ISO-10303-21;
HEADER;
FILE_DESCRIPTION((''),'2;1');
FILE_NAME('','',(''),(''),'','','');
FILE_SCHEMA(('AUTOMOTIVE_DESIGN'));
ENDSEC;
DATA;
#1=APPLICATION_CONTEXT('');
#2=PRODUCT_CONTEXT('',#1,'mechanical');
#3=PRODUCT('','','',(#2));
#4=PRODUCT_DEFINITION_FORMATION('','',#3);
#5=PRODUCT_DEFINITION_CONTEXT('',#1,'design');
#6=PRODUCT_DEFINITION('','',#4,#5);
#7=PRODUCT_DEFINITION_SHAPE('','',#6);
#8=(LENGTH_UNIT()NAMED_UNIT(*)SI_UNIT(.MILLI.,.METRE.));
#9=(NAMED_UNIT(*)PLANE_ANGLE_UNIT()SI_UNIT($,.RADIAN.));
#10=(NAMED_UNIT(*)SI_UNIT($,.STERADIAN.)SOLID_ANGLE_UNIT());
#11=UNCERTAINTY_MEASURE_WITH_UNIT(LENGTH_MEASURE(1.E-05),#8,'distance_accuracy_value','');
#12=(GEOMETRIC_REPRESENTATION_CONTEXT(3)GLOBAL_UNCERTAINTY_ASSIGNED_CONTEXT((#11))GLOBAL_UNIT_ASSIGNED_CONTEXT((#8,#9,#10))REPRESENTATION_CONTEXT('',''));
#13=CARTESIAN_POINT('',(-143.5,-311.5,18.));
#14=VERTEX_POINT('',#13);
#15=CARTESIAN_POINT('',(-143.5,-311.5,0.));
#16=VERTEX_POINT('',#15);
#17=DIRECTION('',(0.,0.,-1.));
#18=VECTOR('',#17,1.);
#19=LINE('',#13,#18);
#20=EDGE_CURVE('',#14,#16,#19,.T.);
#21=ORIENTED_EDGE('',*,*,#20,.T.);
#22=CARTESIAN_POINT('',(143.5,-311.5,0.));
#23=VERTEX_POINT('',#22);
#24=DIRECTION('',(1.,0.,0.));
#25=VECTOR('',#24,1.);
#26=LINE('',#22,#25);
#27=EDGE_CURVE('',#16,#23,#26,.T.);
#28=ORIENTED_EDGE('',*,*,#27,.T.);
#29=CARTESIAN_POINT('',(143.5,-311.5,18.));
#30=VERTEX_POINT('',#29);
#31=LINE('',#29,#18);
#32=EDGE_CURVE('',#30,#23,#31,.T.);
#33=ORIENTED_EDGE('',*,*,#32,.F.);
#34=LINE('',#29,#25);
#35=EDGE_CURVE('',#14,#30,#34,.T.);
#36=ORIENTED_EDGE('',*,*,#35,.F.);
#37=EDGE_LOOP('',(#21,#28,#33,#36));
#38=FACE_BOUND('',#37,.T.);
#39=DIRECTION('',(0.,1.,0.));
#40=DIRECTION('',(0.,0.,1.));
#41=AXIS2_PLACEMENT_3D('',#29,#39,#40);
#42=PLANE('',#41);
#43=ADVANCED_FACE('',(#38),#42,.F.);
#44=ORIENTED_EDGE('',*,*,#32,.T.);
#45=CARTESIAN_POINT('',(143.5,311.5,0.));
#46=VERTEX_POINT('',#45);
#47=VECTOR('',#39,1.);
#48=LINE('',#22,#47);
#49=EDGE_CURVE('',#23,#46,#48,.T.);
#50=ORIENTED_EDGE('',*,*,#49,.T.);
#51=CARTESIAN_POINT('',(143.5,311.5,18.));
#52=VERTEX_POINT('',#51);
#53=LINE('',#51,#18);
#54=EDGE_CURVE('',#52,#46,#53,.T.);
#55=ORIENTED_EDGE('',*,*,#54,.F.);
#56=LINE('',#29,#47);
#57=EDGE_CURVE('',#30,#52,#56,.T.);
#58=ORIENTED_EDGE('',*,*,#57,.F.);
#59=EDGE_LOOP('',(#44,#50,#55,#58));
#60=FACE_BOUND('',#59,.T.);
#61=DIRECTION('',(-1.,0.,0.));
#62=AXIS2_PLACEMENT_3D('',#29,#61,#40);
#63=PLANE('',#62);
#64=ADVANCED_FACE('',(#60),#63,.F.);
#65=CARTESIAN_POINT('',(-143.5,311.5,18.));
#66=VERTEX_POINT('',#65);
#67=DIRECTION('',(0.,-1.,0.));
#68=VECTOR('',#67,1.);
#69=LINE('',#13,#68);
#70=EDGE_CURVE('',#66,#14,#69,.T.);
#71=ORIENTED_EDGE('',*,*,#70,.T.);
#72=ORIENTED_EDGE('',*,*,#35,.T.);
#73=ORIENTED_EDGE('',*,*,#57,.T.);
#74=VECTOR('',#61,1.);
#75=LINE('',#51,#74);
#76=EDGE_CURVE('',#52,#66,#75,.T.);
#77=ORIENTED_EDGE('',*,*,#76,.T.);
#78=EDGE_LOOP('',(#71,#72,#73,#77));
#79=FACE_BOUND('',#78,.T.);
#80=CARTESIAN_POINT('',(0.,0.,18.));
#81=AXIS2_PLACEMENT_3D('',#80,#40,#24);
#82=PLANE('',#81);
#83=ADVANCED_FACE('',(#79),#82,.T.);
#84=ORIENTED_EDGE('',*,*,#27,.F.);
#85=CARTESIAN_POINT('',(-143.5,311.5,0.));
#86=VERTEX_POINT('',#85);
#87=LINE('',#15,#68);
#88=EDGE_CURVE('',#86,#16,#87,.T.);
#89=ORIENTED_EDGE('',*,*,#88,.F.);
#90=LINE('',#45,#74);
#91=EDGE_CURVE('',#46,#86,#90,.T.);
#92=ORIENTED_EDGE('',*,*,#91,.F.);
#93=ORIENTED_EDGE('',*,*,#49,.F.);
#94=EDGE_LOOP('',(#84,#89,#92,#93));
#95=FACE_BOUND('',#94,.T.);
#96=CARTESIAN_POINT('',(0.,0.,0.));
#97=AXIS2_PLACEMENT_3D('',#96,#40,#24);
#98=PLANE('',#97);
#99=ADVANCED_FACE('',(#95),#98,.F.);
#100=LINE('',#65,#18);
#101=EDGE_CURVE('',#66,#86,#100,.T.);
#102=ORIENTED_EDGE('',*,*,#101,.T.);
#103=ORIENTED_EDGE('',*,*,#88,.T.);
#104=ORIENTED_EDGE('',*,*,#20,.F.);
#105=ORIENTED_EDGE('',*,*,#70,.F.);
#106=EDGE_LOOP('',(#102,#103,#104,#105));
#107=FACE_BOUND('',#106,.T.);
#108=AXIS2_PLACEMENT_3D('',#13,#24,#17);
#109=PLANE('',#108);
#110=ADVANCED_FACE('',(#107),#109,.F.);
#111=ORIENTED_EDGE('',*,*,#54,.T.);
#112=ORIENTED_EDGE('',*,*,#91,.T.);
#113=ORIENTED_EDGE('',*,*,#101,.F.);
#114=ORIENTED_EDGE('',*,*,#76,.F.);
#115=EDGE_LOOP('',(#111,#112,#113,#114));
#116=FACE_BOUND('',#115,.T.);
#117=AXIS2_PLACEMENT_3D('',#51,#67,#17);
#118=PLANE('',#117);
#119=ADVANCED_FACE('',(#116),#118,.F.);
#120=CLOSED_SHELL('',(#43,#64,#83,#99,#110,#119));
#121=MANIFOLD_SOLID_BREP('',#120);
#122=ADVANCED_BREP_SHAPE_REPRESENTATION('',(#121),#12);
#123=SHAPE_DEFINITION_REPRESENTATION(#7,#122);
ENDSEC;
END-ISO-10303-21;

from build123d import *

# Parameters (mm, degrees)
SKETCH1_W           = 287
SKETCH1_H           = 623
BOSS_EXTRUDE1_DEPTH = 18


with BuildPart() as part:
    # Sketch1 → Boss-Extrude1 (new body)
    with BuildSketch(Plane.XY):
        Rectangle(SKETCH1_W, SKETCH1_H)
    extrude(amount=BOSS_EXTRUDE1_DEPTH)


solid = part.part
